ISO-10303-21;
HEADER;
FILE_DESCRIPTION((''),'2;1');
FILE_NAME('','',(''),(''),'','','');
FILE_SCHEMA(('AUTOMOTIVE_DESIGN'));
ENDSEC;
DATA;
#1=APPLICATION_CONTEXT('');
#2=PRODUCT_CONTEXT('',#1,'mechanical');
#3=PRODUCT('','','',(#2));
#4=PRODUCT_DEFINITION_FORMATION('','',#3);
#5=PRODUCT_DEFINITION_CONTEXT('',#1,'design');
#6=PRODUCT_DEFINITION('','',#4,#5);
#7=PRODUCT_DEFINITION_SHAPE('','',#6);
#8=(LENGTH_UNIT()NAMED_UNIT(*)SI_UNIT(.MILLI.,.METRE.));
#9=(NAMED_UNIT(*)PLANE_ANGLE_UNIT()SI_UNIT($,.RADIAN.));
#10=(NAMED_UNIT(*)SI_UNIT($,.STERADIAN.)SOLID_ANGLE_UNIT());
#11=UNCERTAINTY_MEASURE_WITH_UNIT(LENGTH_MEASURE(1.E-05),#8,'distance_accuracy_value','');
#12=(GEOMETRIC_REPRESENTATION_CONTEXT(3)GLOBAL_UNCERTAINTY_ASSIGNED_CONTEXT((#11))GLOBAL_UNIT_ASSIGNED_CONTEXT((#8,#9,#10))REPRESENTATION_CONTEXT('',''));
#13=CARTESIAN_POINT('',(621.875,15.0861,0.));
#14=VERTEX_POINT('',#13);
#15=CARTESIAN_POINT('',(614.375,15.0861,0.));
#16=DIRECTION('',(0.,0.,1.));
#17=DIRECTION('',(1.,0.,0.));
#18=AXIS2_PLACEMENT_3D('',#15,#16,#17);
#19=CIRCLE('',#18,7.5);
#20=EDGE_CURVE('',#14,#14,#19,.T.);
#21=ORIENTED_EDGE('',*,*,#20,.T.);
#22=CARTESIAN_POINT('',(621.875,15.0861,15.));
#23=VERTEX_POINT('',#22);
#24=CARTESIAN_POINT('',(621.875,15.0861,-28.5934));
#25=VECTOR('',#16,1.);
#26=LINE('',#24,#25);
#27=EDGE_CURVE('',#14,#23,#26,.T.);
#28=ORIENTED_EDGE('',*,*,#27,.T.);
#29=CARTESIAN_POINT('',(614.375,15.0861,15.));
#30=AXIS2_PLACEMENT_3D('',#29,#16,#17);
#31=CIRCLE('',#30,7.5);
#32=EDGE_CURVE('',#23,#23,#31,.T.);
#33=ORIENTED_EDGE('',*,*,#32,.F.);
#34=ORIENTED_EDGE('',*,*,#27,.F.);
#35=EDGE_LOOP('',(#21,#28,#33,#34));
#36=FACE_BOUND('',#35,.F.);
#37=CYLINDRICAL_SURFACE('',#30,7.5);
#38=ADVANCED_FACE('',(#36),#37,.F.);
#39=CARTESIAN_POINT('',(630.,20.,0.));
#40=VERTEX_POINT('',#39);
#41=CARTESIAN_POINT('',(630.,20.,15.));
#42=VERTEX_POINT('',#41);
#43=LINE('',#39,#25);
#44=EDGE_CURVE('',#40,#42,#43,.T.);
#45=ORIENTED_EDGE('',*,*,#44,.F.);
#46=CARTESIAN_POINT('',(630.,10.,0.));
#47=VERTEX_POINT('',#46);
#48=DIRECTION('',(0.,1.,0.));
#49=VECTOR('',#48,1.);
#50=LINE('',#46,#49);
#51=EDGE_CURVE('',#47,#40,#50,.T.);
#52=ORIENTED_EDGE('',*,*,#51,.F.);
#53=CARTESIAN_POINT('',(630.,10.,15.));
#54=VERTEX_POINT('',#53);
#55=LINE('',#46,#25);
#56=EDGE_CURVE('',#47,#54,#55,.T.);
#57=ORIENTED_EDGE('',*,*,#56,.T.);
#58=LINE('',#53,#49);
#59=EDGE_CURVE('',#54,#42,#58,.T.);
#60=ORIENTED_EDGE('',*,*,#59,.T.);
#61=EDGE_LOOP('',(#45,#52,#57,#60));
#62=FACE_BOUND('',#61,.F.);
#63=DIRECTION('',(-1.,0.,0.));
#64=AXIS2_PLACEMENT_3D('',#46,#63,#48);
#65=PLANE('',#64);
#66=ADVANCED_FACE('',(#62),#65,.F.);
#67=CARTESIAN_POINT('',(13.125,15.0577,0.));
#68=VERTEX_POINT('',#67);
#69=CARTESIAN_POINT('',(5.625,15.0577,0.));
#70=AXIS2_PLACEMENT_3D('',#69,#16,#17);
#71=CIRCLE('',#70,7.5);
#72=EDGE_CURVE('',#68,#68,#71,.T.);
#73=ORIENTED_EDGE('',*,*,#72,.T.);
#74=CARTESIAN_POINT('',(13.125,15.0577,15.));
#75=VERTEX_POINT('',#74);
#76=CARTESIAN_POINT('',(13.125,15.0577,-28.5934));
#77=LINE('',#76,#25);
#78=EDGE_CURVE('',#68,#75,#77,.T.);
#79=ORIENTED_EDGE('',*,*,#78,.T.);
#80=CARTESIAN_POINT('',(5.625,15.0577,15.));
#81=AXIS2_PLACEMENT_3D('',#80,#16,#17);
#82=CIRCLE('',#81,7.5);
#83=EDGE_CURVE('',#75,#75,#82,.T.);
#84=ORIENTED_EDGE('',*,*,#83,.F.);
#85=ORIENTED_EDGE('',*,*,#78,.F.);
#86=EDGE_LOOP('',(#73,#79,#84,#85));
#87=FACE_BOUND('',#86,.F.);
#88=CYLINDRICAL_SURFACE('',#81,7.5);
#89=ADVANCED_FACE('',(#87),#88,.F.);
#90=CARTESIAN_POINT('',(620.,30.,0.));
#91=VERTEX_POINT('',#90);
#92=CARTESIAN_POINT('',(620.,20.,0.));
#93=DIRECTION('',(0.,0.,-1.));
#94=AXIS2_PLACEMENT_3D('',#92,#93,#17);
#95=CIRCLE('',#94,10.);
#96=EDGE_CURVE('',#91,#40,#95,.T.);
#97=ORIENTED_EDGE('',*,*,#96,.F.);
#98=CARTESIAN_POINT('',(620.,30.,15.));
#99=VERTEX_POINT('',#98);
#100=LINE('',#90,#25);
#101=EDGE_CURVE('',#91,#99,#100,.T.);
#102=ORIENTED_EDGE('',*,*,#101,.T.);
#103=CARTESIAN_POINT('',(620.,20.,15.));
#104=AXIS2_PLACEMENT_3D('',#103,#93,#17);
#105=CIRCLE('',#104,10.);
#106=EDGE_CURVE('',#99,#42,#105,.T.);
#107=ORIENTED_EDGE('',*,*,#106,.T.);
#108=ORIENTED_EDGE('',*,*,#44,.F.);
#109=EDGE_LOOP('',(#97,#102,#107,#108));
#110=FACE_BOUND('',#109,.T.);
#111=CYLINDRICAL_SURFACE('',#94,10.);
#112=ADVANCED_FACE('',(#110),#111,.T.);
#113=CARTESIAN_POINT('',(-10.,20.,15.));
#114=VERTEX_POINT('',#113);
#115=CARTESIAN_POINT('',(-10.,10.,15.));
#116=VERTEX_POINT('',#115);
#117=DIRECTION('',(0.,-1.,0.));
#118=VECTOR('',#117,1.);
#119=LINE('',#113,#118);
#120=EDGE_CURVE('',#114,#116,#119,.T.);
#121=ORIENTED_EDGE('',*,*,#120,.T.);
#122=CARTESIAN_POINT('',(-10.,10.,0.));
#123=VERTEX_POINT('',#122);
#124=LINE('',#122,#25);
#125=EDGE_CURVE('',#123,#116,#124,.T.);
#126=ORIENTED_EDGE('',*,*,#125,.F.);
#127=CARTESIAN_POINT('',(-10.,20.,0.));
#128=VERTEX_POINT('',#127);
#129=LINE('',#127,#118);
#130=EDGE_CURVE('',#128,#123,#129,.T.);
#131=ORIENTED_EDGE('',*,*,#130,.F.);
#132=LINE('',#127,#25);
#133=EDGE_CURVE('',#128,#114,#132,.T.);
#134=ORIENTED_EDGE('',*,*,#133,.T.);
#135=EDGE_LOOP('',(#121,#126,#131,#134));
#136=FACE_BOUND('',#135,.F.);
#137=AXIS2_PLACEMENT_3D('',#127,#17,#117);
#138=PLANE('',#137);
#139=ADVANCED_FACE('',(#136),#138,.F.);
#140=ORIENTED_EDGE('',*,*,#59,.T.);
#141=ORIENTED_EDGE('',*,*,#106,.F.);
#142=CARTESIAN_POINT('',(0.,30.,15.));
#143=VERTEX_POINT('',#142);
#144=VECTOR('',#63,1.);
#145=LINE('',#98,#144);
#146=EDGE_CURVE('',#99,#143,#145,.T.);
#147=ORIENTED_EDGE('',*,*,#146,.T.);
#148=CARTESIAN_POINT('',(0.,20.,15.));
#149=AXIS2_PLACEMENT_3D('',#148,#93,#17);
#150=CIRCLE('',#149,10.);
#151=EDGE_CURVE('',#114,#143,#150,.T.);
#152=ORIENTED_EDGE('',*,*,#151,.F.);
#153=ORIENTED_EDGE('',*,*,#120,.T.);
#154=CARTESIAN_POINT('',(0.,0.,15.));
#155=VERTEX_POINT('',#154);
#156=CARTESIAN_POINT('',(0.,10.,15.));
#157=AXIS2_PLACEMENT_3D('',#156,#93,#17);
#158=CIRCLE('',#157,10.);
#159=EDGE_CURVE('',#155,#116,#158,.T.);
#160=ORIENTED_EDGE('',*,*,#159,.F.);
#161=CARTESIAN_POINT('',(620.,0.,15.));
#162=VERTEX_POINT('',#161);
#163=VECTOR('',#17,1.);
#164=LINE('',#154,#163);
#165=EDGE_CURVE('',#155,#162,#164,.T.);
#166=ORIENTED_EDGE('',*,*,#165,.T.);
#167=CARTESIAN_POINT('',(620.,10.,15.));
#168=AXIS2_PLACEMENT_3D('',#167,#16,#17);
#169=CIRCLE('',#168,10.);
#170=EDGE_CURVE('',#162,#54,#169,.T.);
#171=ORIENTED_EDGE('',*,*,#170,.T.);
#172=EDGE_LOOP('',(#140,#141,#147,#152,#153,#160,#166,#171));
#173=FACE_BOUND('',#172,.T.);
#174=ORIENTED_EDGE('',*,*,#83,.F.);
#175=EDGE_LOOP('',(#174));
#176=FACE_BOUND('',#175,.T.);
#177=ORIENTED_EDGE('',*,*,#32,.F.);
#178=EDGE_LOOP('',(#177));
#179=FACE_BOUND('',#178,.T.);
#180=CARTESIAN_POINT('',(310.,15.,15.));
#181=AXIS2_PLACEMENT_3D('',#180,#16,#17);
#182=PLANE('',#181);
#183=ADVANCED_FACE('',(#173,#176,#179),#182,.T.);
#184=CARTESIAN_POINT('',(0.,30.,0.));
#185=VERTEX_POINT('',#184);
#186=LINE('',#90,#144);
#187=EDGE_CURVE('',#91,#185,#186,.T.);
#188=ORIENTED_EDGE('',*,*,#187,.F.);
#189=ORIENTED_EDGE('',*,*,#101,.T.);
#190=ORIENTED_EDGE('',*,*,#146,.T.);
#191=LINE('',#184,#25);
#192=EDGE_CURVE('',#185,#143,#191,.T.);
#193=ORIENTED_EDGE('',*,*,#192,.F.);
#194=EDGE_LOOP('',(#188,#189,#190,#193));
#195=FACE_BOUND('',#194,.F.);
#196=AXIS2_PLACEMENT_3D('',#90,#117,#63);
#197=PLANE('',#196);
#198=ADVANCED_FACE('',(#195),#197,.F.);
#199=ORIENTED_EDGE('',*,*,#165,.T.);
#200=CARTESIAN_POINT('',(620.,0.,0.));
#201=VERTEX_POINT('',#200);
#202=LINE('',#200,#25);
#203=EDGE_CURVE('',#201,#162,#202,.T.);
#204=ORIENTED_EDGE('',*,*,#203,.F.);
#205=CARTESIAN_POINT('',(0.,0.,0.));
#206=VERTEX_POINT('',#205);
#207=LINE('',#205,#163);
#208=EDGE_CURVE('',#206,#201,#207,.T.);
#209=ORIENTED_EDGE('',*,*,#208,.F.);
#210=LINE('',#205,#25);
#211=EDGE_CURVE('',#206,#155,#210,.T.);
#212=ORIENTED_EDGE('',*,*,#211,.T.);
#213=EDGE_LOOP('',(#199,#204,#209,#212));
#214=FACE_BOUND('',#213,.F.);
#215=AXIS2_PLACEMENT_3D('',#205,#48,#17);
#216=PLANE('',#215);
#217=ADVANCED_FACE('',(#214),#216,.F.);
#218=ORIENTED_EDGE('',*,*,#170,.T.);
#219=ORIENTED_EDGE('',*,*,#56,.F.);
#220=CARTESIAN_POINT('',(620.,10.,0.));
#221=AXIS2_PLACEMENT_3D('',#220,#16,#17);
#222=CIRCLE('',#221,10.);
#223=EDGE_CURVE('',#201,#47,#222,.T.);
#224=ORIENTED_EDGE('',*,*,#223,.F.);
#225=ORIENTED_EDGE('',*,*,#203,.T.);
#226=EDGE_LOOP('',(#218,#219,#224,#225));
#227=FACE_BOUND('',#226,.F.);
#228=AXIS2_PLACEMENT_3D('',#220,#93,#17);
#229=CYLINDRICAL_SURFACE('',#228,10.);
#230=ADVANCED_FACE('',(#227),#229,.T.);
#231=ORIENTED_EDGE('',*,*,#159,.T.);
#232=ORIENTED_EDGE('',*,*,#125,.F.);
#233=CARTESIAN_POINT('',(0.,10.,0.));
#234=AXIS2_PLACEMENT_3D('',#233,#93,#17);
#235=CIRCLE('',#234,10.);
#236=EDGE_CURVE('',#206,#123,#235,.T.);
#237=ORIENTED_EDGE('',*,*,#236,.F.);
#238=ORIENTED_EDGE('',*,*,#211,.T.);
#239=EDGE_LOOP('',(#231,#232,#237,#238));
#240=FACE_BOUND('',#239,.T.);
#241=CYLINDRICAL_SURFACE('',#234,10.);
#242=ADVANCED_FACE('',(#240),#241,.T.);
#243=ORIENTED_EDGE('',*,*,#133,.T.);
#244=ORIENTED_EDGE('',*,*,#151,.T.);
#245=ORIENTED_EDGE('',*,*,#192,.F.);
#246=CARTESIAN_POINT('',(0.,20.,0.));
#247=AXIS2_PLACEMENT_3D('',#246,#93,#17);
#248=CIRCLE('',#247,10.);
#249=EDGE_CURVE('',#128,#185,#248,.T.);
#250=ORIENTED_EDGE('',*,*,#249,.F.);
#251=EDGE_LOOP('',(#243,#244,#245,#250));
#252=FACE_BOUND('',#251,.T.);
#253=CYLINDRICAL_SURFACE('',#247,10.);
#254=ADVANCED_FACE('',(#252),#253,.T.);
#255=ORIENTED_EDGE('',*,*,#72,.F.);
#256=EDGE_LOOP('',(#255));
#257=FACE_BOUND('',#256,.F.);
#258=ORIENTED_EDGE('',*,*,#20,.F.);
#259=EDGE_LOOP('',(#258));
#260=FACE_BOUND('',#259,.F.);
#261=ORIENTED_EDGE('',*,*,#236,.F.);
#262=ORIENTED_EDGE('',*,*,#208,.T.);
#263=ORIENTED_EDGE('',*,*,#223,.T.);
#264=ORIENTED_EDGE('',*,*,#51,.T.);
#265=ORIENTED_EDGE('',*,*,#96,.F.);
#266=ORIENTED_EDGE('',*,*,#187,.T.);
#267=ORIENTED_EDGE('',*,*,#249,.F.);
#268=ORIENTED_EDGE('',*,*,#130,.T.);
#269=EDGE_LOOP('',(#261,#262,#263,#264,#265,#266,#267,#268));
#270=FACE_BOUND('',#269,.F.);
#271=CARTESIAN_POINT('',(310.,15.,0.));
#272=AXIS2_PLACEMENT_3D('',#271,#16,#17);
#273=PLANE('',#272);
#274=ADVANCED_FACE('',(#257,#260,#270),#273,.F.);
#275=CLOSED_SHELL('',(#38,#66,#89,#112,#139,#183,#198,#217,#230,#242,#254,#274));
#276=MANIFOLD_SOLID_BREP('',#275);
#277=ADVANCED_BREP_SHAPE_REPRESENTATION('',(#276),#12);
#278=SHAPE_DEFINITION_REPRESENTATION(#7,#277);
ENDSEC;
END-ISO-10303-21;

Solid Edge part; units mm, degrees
sketch "Sketch1" plane through (0, 0, 0) normal (0, 0, 1) x (1, 0, 0)
  line L0 (0, 0) -> (620, 0)
  arc A0 (620, 0) -> (630, 10) centre (620, 10) ccw
  line L1 (630, 10) -> (630, 20)
  arc A1 (620, 30) -> (630, 20) centre (620, 20) cw
  line L2 (620, 30) -> (0, 30)
  arc A2 (-10, 20) -> (0, 30) centre (0, 20) cw
  line L3 (-10, 20) -> (-10, 10)
  arc A3 (0, 0) -> (-10, 10) centre (0, 10) cw
  dimension "D1" = 620
  dimension "D2" = 10
  dimension "D3" = 10
  dimension "D4" = 10
  dimension "D5" = 10
  dimension "D6" = 30
extrude "Protrusion1" add sketch "Sketch1" along normal blind 15
sketch "Sketch2" plane through (295.2039, 15, 15) normal (0, 0, 1) x (1, 0, 0)
  circle A0 centre (-289.5789, 0.0577) radius 7.5
  circle A1 centre (319.1711, 0.0861) radius 7.5
  dimension "D1" = 608.75
  dimension "D2" = 304.375
  dimension "D3" = 304.375
extrude "ExtrudedCutout_1" cut sketch "Sketch2" against normal blind 43.5934 and the other way blind 14.29
properties material "Steel"
